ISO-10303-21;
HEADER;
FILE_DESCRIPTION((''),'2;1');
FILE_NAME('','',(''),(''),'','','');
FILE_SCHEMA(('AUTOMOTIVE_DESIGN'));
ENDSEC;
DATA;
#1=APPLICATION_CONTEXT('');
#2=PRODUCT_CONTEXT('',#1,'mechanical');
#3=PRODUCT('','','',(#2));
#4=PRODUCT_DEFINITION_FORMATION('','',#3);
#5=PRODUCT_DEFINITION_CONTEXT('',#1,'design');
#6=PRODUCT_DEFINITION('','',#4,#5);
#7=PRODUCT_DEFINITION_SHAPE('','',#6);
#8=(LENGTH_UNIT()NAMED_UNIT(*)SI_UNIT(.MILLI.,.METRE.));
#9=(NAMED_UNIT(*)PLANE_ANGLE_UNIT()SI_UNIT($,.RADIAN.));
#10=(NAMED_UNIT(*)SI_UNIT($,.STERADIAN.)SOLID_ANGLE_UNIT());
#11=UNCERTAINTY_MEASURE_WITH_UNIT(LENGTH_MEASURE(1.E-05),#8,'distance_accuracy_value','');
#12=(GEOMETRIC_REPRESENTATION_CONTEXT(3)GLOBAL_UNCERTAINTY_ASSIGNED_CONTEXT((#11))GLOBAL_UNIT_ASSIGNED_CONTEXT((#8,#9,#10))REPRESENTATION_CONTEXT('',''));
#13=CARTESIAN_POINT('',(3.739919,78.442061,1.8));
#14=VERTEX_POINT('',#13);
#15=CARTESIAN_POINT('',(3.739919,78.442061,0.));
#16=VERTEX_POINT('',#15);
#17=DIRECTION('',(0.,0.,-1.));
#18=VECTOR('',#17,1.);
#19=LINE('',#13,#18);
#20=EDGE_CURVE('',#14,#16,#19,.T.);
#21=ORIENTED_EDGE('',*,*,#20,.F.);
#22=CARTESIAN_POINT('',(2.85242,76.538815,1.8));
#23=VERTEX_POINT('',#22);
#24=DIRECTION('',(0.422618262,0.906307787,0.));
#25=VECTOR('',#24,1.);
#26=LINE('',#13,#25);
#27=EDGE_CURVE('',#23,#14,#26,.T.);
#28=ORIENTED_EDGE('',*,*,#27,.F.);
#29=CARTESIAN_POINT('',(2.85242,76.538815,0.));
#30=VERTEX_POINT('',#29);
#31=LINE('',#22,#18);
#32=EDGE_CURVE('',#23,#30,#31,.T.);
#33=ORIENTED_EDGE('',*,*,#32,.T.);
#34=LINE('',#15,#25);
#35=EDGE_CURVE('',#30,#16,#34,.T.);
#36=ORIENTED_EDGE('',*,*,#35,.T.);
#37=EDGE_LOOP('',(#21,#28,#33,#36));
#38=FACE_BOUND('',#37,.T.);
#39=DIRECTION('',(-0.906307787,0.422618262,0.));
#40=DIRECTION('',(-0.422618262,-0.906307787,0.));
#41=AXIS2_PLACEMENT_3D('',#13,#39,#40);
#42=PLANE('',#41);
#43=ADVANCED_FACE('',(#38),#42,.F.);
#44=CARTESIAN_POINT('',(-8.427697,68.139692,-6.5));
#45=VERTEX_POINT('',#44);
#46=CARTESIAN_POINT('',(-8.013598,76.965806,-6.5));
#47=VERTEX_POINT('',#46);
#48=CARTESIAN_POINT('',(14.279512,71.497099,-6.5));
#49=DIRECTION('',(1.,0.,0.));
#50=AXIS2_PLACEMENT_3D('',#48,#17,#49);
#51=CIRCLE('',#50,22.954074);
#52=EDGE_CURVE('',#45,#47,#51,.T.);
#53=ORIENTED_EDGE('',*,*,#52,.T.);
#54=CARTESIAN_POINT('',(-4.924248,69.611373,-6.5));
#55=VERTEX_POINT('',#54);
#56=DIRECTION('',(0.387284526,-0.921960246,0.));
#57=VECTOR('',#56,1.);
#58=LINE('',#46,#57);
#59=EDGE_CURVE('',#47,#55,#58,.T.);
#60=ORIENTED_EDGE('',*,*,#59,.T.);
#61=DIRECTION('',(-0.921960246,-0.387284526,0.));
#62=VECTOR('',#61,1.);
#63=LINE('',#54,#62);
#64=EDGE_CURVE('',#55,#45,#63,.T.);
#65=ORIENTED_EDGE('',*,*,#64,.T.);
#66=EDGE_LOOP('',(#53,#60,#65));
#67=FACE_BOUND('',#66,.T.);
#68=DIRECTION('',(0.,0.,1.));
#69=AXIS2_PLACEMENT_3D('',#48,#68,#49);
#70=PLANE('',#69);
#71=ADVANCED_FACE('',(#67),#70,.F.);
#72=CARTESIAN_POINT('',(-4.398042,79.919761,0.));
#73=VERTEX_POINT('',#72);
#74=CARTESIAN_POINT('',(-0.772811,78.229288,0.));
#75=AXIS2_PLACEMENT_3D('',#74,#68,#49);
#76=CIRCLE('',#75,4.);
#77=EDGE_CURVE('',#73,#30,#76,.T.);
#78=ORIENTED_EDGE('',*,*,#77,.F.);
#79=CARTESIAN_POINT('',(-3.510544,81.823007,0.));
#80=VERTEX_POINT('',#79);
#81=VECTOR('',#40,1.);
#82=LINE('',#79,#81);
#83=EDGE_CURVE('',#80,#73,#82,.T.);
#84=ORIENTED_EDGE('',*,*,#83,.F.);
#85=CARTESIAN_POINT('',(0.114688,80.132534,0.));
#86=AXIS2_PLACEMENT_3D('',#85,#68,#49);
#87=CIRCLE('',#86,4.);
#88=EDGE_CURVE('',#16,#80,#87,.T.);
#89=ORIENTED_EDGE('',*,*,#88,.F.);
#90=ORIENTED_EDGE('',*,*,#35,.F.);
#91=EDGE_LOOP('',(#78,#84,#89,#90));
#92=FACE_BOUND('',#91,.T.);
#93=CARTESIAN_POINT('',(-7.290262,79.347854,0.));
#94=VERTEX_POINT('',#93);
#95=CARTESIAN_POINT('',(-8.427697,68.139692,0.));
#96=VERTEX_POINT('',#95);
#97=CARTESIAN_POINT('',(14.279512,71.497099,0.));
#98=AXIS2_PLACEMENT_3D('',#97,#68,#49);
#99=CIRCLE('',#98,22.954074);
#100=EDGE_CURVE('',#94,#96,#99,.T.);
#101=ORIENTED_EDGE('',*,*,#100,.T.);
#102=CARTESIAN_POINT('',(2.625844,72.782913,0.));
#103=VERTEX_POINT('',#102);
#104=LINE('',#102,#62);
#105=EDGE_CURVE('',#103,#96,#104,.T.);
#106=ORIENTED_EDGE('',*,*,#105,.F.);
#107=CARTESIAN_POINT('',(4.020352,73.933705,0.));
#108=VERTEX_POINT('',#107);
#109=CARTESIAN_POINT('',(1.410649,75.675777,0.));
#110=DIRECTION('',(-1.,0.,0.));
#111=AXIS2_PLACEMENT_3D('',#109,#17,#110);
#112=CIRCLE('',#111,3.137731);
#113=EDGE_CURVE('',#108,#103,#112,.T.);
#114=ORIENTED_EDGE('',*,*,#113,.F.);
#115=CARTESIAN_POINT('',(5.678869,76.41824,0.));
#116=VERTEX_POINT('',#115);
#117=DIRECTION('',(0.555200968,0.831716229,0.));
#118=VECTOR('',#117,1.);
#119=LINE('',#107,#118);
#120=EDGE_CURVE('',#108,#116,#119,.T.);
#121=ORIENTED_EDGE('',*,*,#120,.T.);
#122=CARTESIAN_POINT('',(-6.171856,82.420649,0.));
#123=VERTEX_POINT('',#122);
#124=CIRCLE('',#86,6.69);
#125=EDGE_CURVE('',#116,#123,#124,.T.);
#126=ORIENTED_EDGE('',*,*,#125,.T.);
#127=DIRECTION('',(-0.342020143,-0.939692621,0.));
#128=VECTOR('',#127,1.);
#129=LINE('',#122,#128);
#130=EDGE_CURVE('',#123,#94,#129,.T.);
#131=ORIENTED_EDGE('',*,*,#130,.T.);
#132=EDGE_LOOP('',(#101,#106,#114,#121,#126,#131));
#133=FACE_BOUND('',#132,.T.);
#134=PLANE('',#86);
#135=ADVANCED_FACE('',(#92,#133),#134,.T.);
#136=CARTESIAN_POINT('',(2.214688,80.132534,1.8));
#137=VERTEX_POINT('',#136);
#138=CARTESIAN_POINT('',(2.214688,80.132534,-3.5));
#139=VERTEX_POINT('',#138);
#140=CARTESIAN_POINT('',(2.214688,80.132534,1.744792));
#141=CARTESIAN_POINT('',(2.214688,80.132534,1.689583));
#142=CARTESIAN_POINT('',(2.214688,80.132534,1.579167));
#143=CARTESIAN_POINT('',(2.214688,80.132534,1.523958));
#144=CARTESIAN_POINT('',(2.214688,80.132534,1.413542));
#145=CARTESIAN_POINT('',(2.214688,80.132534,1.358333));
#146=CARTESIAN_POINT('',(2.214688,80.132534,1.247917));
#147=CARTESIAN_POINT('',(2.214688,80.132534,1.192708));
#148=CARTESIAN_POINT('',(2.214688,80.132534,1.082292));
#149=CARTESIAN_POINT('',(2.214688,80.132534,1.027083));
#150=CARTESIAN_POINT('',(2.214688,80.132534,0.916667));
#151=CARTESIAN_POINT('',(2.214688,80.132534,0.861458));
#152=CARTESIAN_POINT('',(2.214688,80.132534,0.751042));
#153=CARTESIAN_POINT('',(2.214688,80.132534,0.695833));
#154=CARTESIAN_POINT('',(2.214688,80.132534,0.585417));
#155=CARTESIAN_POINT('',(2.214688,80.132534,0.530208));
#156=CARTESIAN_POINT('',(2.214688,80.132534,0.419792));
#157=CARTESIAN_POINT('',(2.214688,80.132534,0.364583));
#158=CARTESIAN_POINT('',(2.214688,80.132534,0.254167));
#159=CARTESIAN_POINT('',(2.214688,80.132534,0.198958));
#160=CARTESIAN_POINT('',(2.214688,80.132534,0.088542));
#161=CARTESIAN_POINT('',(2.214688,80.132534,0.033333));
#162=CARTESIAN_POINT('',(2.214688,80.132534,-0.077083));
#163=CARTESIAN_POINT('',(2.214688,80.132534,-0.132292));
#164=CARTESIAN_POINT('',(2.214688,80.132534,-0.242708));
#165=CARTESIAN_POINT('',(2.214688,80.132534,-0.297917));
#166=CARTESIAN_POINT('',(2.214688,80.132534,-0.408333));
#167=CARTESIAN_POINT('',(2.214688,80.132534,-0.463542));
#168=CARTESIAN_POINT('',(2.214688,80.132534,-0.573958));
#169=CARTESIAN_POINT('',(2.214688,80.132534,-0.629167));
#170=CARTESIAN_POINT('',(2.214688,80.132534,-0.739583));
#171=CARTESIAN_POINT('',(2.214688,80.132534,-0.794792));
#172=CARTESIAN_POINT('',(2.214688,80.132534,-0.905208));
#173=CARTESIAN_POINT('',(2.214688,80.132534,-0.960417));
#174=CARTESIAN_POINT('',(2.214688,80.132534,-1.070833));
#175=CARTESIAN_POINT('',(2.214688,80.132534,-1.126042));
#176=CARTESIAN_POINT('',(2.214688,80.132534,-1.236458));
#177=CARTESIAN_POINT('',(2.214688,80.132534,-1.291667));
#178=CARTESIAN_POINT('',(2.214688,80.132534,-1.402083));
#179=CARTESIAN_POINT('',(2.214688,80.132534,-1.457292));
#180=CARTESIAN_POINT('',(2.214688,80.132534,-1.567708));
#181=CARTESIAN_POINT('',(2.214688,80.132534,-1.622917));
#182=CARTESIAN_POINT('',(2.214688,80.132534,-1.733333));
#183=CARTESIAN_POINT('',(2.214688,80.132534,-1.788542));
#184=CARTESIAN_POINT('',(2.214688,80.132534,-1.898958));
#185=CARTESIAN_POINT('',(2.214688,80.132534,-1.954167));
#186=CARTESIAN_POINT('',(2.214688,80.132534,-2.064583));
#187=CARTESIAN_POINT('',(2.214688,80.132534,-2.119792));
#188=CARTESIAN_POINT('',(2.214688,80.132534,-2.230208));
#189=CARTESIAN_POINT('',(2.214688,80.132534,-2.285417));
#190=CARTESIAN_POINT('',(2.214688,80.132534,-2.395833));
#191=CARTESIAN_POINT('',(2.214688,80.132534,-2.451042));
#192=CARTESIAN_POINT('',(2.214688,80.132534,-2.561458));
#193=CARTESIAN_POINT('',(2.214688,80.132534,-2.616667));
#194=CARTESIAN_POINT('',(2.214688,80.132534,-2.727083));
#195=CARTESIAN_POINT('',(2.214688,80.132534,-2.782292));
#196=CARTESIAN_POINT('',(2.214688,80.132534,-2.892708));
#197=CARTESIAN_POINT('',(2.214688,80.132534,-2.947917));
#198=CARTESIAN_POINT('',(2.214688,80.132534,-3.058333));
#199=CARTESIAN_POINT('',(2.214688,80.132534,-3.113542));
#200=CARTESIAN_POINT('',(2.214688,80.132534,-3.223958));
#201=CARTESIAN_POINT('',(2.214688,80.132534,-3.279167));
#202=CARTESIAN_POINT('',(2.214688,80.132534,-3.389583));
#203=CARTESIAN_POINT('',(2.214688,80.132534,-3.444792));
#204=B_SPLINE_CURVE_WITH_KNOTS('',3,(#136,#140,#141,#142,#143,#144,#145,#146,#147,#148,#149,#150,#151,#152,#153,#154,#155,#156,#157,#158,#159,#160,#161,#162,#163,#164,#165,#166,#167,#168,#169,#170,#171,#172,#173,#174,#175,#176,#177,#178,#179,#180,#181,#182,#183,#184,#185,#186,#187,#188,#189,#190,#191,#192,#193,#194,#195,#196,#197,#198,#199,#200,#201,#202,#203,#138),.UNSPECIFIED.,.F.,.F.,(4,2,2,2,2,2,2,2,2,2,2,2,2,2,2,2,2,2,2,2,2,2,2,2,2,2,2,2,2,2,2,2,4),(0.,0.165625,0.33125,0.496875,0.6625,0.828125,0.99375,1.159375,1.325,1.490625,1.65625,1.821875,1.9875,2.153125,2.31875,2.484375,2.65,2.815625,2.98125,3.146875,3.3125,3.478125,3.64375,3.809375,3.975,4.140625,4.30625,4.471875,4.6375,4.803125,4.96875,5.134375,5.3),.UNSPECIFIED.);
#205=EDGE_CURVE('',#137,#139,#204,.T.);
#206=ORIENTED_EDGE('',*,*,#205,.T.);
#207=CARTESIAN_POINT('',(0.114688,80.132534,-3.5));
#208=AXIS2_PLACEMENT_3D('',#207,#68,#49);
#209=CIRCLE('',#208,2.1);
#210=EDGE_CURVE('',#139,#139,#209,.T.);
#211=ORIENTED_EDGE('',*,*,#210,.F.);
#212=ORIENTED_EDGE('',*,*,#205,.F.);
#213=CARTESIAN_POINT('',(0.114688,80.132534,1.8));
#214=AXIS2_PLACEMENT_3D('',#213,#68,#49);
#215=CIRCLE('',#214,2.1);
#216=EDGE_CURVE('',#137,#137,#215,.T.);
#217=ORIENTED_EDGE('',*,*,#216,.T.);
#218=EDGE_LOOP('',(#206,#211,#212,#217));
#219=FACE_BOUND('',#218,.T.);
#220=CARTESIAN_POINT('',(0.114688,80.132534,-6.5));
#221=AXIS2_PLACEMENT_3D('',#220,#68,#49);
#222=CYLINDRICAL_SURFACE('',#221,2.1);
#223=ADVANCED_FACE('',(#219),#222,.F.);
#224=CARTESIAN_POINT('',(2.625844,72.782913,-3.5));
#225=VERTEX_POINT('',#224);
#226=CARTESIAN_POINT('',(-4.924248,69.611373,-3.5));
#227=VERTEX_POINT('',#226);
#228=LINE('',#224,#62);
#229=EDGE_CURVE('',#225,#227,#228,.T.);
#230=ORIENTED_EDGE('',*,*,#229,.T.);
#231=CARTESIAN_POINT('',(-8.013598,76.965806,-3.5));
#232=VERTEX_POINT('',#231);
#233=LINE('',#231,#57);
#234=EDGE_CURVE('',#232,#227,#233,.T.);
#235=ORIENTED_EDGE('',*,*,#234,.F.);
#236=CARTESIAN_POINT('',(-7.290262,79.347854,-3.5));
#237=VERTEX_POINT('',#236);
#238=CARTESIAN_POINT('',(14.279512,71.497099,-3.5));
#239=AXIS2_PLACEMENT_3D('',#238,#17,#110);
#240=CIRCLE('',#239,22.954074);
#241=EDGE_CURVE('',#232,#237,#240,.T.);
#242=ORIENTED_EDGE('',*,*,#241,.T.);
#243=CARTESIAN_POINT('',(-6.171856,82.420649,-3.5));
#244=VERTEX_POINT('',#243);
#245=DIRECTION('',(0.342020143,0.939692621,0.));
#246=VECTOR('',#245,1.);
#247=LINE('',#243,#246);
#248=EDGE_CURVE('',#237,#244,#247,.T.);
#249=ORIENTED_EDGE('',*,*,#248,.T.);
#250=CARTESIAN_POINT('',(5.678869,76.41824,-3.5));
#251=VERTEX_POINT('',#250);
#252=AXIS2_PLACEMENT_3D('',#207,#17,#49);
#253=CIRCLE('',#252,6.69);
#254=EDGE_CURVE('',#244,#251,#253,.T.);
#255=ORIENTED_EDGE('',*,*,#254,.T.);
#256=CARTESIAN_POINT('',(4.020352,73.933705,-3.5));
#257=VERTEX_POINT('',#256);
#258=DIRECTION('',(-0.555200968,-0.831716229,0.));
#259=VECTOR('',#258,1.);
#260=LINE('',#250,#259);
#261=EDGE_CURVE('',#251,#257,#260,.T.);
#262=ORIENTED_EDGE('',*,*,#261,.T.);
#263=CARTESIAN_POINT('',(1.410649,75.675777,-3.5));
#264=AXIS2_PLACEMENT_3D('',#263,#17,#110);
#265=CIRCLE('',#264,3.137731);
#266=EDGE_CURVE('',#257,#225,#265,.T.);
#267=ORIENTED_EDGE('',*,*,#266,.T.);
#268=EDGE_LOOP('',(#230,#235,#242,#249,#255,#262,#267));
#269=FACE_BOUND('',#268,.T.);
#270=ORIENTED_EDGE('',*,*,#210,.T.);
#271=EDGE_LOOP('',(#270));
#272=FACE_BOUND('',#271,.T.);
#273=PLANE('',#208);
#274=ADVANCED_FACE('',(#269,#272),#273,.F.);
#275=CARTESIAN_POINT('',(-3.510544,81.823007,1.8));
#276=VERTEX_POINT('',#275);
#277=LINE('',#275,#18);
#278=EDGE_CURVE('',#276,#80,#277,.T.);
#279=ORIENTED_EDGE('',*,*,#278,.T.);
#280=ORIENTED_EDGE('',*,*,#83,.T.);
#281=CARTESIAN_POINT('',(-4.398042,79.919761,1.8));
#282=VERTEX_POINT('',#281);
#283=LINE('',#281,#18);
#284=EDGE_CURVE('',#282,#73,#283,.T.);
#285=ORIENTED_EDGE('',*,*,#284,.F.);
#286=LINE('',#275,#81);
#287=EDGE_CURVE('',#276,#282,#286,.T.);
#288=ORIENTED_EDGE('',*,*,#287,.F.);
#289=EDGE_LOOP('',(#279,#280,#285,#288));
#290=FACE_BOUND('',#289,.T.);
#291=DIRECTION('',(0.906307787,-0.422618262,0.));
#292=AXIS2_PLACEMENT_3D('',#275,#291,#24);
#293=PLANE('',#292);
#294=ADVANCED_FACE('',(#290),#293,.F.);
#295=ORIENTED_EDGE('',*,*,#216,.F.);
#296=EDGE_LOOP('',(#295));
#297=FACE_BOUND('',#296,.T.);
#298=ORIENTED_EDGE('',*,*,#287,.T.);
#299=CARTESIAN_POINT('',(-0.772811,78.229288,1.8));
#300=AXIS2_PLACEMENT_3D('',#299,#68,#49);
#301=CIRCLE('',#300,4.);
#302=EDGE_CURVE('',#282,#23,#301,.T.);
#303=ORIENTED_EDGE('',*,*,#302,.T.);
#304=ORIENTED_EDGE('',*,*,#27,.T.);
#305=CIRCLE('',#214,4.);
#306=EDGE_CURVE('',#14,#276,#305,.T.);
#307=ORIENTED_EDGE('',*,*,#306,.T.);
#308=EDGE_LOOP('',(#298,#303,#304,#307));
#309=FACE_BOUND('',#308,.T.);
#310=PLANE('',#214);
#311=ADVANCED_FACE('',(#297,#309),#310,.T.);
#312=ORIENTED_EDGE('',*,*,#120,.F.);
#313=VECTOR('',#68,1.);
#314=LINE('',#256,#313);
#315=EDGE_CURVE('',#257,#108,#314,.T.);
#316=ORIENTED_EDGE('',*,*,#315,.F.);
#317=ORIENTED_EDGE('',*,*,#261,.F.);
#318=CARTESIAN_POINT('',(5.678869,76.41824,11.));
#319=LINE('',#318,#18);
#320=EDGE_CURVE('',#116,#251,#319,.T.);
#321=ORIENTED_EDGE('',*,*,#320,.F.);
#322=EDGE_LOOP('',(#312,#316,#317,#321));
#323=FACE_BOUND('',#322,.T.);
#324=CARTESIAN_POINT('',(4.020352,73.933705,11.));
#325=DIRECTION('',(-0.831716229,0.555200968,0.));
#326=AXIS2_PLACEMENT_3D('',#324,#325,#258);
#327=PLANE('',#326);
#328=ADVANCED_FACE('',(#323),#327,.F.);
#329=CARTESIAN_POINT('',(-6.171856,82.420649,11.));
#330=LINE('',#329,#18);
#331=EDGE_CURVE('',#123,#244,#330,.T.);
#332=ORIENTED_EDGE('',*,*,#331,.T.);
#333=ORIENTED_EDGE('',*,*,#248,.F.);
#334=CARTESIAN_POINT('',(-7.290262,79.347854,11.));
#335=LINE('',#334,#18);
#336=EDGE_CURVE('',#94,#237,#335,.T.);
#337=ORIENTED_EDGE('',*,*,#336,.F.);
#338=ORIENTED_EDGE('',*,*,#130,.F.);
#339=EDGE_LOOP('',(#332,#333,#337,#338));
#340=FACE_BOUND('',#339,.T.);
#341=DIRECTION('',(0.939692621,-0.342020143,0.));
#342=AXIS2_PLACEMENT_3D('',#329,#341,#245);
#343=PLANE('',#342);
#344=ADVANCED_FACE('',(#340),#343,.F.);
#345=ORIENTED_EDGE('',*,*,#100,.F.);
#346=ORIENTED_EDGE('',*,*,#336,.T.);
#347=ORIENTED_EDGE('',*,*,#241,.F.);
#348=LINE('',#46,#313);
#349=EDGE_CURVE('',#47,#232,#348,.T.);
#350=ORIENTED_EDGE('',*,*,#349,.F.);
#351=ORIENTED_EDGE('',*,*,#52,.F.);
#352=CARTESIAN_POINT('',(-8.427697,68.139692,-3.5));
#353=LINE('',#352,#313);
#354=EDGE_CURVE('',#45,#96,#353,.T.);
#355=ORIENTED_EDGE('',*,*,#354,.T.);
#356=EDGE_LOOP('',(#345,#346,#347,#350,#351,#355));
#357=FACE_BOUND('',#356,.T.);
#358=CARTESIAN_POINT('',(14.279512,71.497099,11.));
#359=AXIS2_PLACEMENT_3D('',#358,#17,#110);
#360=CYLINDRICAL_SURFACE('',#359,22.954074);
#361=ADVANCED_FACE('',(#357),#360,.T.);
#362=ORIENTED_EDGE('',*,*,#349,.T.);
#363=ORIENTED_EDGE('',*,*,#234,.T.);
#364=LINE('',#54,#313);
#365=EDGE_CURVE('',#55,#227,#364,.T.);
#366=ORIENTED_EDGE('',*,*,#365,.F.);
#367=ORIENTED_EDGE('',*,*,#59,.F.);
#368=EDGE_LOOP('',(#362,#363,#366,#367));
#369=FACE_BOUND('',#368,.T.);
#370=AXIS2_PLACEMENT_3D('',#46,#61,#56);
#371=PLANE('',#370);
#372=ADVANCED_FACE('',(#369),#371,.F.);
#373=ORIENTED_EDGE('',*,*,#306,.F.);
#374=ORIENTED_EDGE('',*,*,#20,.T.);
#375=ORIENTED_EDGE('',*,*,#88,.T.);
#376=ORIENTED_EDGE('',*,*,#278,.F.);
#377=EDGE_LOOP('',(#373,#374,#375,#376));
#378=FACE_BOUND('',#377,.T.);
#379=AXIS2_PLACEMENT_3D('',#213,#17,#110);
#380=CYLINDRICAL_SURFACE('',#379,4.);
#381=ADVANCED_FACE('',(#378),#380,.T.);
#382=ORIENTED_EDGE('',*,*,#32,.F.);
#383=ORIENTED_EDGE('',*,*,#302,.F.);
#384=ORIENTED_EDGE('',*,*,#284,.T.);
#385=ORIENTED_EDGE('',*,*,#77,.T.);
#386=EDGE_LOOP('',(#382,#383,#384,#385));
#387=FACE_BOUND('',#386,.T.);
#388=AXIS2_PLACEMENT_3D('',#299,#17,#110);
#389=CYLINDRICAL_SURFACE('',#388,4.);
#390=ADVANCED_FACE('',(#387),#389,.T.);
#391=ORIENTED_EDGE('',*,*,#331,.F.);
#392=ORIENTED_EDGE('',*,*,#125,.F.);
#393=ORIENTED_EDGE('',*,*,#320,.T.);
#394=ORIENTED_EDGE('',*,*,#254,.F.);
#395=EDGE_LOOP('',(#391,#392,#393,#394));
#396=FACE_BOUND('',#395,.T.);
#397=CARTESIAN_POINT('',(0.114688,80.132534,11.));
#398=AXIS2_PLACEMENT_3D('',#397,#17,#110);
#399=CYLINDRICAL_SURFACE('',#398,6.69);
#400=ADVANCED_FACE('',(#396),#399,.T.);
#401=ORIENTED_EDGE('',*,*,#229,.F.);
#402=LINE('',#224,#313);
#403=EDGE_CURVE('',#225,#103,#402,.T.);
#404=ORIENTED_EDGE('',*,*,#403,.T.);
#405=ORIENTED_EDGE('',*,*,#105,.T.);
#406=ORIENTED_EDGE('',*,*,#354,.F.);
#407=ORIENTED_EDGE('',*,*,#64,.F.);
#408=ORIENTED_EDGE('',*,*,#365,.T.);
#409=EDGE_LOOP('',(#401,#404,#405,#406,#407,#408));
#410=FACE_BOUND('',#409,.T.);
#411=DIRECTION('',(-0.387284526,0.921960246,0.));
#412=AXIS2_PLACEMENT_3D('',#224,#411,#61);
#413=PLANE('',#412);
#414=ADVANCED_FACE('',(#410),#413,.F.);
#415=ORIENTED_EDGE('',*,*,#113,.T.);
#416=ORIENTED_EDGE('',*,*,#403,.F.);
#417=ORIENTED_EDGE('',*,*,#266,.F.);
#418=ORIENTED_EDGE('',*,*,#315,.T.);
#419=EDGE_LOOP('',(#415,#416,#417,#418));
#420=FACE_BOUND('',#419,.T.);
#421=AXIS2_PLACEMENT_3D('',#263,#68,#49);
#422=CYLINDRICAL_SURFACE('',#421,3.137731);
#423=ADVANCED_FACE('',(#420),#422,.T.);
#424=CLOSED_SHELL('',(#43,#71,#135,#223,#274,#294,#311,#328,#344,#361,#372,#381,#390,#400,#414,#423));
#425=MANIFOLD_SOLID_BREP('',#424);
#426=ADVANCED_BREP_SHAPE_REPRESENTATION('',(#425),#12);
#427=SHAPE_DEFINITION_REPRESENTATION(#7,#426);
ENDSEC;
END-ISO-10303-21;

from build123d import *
from build123d.topology import SkipClean

# Parameters (mm, degrees)
SKETCH3_R           = 2.75
SKETCH3_R_2         = 2.1
BOSS_EXTRUDE2_DEPTH = 11
BOSS_EXTRUDE4_START = 3.5
BOSS_EXTRUDE4_DEPTH = 3.5
BOSS_EXTRUDE3_START = 3
BOSS_EXTRUDE3_DEPTH = 3
SKETCH14_W          = 47.285712055
SKETCH14_H          = 12.595473758
CUT_EXTRUDE1_DEPTH  = 92.326119258
BOSS_EXTRUDE5_DEPTH = 1.8
SKETCH15_R          = 2.1
CUT_EXTRUDE2_DEPTH  = 88.648676566


with BuildPart() as part:
    # Sketch3 → Boss-Extrude2 (new body)
    with BuildSketch(Plane.XY):
        with BuildLine():
            Line((11.81639044, 60.252883085), (11.728372068, 60.311638564))
            ThreePointArc((11.728372068, 60.311638564), (8.917204522, 62.7925154), (6.866230988, 65.931132995))
            ThreePointArc((6.866230988, 65.931132995), (6.025591445, 67.274340702), (4.901176311, 68.390840765))
            ThreePointArc((4.901176311, 68.390840765), (3.375934297, 70.989881123), (4.020351516, 73.93370524))
            Line((4.020351516, 73.93370524), (5.678869184, 76.41823992))
            ThreePointArc((5.678869184, 76.41823992), (3.137547336, 86.100651278), (-6.171856019, 82.420649156))
            Line((-6.171856019, 82.420649156), (-7.290261888, 79.347854286))
            ThreePointArc((-7.290261888, 79.347854286), (-8.557893098, 69.185727028), (-5.279809822, 59.483671095))
            ThreePointArc((-5.279809822, 59.483671095), (-2.848156457, 57.139360441), (0.414833066, 56.266646336))
            ThreePointArc((0.414833066, 56.266646336), (3.287818882, 55.822166382), (5.91364728, 54.574514525))
            Line((5.91364728, 54.574514525), (7.374782695, 53.599153256))
            ThreePointArc((7.374782695, 53.599153256), (10.815902262, 50.678650143), (13.499590609, 47.049812979))
            ThreePointArc((13.499590609, 47.049812979), (24.965953819, 46.665736496), (20.21385057, 57.108078892))
            ThreePointArc((20.21385057, 57.108078892), (15.833272198, 58.194897845), (11.81639044, 60.252883085))
        make_face()
        with Locations((19.351869275, 50.413343031)):
            Circle(SKETCH3_R, mode=Mode.SUBTRACT)
        with Locations((0.471910886, 63.016405008)):
            Circle(SKETCH3_R, mode=Mode.SUBTRACT)
        with Locations((0.114687614, 80.132534397)):
            Circle(SKETCH3_R_2, mode=Mode.SUBTRACT)
    extrude(amount=BOSS_EXTRUDE2_DEPTH)

    # Sketch13 → Boss-Extrude4 (add)
    with SkipClean():  # the faces are left unmerged after this step: merging them gives an invalid solid
        with BuildSketch(Plane(origin=(0, 0, 0), x_dir=(-1, 0, 0), z_dir=(0, 0, -1)).offset(BOSS_EXTRUDE4_START)):
            with BuildLine():
                Line((-5.678869184, 76.41823992), (-4.020351516, 73.93370524))
                ThreePointArc((-4.020351516, 73.93370524), (-3.407782277, 73.255690271), (-2.625844204, 72.782913134))
                Line((-2.625844204, 72.782913134), (8.427696777, 68.139691908))
                ThreePointArc((8.427696777, 68.139691908), (8.557268078, 73.814637343), (7.290261888, 79.347854286))
                Line((7.290261888, 79.347854286), (6.171856019, 82.420649156))
                ThreePointArc((6.171856019, 82.420649156), (-3.137547336, 86.100651278), (-5.678869184, 76.41823992))
            make_face()
        extrude(amount=-BOSS_EXTRUDE4_DEPTH)

    # Sketch12 → Boss-Extrude3 (add)
    with SkipClean():  # the faces are left unmerged after this step: merging them gives an invalid solid
        with BuildSketch(Plane(origin=(0, 0, -3.5), x_dir=(-1, 0, 0), z_dir=(0, 0, -1)).offset(BOSS_EXTRUDE3_START)):
            with BuildLine():
                Line((8.013597957, 76.965805827), (4.924247842, 69.611373108))
                Line((4.924247842, 69.611373108), (8.427696777, 68.139691908))
                ThreePointArc((8.427696777, 68.139691908), (8.649339764, 72.572862025), (8.013597957, 76.965805827))
            make_face()
        extrude(amount=-BOSS_EXTRUDE3_DEPTH)

    # Sketch14 → Cut-Extrude1 (cut, through all)
    with BuildSketch(Plane(origin=(0, 0, 0), x_dir=(1, 0, 0), z_dir=(0, 1, 0))):
        with Locations((8.412006537, -6.297736879)):
            Rectangle(SKETCH14_W, SKETCH14_H)
    extrude(amount=CUT_EXTRUDE1_DEPTH, mode=Mode.SUBTRACT)

    # Sketch16 → Boss-Extrude5 (add)
    with BuildSketch(Plane.XY):
        with BuildLine():
            Line((3.739918762, 78.44206135), (2.852420412, 76.538814997))
            ThreePointArc((2.852420412, 76.538814997), (-2.463283783, 74.604056896), (-4.398041884, 79.919761091))
            Line((-4.398041884, 79.919761091), (-3.510543534, 81.823007444))
            ThreePointArc((-3.510543534, 81.823007444), (1.805160661, 83.757765545), (3.739918762, 78.44206135))
        make_face()
    extrude(amount=BOSS_EXTRUDE5_DEPTH)

    # Sketch15 → Cut-Extrude2 (cut, through all)
    with BuildSketch(Plane.XY.offset(1.8)):
        with Locations((0.114687614, 80.132534397)):
            Circle(SKETCH15_R)
    extrude(amount=-CUT_EXTRUDE2_DEPTH, mode=Mode.SUBTRACT)


solid = part.part
